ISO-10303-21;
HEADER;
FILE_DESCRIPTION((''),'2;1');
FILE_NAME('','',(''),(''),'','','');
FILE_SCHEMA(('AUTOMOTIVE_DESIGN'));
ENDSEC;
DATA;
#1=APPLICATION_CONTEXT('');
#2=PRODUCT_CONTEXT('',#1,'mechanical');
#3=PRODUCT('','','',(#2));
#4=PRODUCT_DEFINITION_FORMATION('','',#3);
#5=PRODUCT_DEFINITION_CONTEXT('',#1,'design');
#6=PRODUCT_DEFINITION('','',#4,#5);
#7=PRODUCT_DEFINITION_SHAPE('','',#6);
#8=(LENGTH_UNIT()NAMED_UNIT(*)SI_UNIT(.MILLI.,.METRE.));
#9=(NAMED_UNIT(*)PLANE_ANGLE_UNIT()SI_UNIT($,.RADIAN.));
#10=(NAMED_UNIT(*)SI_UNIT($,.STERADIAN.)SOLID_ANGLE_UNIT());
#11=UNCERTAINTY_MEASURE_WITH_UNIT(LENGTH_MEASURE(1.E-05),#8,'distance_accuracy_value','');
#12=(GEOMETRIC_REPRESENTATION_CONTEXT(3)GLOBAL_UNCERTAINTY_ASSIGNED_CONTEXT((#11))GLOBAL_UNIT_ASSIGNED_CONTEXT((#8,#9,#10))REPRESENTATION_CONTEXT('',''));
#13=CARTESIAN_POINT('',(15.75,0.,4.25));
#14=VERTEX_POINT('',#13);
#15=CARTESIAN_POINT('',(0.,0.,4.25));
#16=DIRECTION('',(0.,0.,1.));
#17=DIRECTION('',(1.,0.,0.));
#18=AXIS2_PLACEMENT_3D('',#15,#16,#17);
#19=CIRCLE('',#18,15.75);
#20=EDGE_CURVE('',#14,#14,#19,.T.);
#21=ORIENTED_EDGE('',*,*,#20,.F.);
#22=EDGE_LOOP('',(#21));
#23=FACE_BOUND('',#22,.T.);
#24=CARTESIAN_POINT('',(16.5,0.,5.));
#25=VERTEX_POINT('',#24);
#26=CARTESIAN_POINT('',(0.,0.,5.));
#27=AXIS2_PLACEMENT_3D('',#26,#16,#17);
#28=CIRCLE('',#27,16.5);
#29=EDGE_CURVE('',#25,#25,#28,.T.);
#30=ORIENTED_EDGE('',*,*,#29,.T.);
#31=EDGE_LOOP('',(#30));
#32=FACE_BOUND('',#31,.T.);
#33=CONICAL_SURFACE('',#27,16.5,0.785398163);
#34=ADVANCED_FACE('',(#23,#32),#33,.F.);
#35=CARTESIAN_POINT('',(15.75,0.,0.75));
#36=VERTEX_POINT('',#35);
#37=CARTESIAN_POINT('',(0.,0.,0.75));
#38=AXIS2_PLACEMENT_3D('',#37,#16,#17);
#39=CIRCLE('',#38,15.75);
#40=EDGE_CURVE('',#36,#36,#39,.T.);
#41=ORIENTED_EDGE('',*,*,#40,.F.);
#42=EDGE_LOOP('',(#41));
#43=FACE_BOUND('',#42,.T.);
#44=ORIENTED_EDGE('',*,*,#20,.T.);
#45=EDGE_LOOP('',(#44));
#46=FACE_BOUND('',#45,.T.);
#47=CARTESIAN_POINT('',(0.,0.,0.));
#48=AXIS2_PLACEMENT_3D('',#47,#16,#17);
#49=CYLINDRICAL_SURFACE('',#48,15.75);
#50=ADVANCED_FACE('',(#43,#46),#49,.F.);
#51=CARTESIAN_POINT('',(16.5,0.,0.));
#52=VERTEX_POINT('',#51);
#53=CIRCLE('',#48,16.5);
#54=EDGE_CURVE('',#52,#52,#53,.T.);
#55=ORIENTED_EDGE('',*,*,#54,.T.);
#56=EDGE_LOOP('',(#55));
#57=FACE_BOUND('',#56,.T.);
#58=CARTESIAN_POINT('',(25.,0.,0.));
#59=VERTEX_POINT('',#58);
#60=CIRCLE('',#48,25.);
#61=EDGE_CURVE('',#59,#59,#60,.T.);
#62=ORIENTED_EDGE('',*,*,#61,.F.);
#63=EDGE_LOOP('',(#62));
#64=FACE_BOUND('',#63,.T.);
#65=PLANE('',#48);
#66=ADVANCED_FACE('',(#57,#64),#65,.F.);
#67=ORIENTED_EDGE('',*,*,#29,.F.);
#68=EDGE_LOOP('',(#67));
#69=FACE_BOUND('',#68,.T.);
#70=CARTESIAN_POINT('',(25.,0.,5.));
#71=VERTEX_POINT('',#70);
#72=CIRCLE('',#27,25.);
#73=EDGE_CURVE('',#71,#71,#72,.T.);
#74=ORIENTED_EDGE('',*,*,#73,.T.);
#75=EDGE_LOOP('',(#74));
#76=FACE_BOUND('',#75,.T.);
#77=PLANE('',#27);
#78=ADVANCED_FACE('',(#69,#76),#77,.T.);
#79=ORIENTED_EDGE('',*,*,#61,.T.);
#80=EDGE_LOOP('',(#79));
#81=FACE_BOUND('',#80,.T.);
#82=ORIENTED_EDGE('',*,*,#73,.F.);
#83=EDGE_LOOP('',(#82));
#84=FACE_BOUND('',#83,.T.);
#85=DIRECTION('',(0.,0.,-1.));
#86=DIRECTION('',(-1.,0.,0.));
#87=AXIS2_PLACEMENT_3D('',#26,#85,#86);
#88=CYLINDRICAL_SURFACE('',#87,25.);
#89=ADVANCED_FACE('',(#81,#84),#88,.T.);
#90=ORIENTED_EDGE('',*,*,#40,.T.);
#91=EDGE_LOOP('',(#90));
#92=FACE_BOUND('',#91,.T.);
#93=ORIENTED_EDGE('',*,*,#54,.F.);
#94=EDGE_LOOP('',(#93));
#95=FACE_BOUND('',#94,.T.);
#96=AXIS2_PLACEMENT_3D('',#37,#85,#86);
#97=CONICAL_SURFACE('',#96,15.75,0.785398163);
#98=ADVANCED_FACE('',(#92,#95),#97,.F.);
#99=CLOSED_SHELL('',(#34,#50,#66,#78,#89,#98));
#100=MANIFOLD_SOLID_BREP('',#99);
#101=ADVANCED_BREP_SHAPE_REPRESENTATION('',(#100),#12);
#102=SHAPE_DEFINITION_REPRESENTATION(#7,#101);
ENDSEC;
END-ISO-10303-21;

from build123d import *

# Parameters (mm, degrees)
GUARD_BASE_R     = 25
GUARD_DEPTH      = 5
AXLE_HOLE_BASE_R = 15.75
AXLE_HOLE_DEPTH  = 6


with BuildPart() as part:
    # Guard base → Guard (new body)
    with BuildSketch(Plane.XY):
        Circle(GUARD_BASE_R)
    extrude(amount=GUARD_DEPTH)

    # Axle hole base → Axle hole (cut, through all)
    with BuildSketch(Plane.XY.offset(5)):
        Circle(AXLE_HOLE_BASE_R)
    extrude(amount=-AXLE_HOLE_DEPTH, mode=Mode.SUBTRACT)

    # Mate ring room base → Mate ring room (revolve, cut)
    with BuildSketch(Plane(origin=(0, 0, 0), x_dir=(1, 0, 0), z_dir=(0, 1, 0))):
        Polygon((15.75, -5), (16.5, -5), (15.75, -4.25), align=None)
        Polygon((15.75, 0), (16.5, 0), (15.75, -0.75), align=None)
    revolve(axis=Axis((0, 0, 0), (0, 0, -1)), mode=Mode.SUBTRACT)


solid = part.part
